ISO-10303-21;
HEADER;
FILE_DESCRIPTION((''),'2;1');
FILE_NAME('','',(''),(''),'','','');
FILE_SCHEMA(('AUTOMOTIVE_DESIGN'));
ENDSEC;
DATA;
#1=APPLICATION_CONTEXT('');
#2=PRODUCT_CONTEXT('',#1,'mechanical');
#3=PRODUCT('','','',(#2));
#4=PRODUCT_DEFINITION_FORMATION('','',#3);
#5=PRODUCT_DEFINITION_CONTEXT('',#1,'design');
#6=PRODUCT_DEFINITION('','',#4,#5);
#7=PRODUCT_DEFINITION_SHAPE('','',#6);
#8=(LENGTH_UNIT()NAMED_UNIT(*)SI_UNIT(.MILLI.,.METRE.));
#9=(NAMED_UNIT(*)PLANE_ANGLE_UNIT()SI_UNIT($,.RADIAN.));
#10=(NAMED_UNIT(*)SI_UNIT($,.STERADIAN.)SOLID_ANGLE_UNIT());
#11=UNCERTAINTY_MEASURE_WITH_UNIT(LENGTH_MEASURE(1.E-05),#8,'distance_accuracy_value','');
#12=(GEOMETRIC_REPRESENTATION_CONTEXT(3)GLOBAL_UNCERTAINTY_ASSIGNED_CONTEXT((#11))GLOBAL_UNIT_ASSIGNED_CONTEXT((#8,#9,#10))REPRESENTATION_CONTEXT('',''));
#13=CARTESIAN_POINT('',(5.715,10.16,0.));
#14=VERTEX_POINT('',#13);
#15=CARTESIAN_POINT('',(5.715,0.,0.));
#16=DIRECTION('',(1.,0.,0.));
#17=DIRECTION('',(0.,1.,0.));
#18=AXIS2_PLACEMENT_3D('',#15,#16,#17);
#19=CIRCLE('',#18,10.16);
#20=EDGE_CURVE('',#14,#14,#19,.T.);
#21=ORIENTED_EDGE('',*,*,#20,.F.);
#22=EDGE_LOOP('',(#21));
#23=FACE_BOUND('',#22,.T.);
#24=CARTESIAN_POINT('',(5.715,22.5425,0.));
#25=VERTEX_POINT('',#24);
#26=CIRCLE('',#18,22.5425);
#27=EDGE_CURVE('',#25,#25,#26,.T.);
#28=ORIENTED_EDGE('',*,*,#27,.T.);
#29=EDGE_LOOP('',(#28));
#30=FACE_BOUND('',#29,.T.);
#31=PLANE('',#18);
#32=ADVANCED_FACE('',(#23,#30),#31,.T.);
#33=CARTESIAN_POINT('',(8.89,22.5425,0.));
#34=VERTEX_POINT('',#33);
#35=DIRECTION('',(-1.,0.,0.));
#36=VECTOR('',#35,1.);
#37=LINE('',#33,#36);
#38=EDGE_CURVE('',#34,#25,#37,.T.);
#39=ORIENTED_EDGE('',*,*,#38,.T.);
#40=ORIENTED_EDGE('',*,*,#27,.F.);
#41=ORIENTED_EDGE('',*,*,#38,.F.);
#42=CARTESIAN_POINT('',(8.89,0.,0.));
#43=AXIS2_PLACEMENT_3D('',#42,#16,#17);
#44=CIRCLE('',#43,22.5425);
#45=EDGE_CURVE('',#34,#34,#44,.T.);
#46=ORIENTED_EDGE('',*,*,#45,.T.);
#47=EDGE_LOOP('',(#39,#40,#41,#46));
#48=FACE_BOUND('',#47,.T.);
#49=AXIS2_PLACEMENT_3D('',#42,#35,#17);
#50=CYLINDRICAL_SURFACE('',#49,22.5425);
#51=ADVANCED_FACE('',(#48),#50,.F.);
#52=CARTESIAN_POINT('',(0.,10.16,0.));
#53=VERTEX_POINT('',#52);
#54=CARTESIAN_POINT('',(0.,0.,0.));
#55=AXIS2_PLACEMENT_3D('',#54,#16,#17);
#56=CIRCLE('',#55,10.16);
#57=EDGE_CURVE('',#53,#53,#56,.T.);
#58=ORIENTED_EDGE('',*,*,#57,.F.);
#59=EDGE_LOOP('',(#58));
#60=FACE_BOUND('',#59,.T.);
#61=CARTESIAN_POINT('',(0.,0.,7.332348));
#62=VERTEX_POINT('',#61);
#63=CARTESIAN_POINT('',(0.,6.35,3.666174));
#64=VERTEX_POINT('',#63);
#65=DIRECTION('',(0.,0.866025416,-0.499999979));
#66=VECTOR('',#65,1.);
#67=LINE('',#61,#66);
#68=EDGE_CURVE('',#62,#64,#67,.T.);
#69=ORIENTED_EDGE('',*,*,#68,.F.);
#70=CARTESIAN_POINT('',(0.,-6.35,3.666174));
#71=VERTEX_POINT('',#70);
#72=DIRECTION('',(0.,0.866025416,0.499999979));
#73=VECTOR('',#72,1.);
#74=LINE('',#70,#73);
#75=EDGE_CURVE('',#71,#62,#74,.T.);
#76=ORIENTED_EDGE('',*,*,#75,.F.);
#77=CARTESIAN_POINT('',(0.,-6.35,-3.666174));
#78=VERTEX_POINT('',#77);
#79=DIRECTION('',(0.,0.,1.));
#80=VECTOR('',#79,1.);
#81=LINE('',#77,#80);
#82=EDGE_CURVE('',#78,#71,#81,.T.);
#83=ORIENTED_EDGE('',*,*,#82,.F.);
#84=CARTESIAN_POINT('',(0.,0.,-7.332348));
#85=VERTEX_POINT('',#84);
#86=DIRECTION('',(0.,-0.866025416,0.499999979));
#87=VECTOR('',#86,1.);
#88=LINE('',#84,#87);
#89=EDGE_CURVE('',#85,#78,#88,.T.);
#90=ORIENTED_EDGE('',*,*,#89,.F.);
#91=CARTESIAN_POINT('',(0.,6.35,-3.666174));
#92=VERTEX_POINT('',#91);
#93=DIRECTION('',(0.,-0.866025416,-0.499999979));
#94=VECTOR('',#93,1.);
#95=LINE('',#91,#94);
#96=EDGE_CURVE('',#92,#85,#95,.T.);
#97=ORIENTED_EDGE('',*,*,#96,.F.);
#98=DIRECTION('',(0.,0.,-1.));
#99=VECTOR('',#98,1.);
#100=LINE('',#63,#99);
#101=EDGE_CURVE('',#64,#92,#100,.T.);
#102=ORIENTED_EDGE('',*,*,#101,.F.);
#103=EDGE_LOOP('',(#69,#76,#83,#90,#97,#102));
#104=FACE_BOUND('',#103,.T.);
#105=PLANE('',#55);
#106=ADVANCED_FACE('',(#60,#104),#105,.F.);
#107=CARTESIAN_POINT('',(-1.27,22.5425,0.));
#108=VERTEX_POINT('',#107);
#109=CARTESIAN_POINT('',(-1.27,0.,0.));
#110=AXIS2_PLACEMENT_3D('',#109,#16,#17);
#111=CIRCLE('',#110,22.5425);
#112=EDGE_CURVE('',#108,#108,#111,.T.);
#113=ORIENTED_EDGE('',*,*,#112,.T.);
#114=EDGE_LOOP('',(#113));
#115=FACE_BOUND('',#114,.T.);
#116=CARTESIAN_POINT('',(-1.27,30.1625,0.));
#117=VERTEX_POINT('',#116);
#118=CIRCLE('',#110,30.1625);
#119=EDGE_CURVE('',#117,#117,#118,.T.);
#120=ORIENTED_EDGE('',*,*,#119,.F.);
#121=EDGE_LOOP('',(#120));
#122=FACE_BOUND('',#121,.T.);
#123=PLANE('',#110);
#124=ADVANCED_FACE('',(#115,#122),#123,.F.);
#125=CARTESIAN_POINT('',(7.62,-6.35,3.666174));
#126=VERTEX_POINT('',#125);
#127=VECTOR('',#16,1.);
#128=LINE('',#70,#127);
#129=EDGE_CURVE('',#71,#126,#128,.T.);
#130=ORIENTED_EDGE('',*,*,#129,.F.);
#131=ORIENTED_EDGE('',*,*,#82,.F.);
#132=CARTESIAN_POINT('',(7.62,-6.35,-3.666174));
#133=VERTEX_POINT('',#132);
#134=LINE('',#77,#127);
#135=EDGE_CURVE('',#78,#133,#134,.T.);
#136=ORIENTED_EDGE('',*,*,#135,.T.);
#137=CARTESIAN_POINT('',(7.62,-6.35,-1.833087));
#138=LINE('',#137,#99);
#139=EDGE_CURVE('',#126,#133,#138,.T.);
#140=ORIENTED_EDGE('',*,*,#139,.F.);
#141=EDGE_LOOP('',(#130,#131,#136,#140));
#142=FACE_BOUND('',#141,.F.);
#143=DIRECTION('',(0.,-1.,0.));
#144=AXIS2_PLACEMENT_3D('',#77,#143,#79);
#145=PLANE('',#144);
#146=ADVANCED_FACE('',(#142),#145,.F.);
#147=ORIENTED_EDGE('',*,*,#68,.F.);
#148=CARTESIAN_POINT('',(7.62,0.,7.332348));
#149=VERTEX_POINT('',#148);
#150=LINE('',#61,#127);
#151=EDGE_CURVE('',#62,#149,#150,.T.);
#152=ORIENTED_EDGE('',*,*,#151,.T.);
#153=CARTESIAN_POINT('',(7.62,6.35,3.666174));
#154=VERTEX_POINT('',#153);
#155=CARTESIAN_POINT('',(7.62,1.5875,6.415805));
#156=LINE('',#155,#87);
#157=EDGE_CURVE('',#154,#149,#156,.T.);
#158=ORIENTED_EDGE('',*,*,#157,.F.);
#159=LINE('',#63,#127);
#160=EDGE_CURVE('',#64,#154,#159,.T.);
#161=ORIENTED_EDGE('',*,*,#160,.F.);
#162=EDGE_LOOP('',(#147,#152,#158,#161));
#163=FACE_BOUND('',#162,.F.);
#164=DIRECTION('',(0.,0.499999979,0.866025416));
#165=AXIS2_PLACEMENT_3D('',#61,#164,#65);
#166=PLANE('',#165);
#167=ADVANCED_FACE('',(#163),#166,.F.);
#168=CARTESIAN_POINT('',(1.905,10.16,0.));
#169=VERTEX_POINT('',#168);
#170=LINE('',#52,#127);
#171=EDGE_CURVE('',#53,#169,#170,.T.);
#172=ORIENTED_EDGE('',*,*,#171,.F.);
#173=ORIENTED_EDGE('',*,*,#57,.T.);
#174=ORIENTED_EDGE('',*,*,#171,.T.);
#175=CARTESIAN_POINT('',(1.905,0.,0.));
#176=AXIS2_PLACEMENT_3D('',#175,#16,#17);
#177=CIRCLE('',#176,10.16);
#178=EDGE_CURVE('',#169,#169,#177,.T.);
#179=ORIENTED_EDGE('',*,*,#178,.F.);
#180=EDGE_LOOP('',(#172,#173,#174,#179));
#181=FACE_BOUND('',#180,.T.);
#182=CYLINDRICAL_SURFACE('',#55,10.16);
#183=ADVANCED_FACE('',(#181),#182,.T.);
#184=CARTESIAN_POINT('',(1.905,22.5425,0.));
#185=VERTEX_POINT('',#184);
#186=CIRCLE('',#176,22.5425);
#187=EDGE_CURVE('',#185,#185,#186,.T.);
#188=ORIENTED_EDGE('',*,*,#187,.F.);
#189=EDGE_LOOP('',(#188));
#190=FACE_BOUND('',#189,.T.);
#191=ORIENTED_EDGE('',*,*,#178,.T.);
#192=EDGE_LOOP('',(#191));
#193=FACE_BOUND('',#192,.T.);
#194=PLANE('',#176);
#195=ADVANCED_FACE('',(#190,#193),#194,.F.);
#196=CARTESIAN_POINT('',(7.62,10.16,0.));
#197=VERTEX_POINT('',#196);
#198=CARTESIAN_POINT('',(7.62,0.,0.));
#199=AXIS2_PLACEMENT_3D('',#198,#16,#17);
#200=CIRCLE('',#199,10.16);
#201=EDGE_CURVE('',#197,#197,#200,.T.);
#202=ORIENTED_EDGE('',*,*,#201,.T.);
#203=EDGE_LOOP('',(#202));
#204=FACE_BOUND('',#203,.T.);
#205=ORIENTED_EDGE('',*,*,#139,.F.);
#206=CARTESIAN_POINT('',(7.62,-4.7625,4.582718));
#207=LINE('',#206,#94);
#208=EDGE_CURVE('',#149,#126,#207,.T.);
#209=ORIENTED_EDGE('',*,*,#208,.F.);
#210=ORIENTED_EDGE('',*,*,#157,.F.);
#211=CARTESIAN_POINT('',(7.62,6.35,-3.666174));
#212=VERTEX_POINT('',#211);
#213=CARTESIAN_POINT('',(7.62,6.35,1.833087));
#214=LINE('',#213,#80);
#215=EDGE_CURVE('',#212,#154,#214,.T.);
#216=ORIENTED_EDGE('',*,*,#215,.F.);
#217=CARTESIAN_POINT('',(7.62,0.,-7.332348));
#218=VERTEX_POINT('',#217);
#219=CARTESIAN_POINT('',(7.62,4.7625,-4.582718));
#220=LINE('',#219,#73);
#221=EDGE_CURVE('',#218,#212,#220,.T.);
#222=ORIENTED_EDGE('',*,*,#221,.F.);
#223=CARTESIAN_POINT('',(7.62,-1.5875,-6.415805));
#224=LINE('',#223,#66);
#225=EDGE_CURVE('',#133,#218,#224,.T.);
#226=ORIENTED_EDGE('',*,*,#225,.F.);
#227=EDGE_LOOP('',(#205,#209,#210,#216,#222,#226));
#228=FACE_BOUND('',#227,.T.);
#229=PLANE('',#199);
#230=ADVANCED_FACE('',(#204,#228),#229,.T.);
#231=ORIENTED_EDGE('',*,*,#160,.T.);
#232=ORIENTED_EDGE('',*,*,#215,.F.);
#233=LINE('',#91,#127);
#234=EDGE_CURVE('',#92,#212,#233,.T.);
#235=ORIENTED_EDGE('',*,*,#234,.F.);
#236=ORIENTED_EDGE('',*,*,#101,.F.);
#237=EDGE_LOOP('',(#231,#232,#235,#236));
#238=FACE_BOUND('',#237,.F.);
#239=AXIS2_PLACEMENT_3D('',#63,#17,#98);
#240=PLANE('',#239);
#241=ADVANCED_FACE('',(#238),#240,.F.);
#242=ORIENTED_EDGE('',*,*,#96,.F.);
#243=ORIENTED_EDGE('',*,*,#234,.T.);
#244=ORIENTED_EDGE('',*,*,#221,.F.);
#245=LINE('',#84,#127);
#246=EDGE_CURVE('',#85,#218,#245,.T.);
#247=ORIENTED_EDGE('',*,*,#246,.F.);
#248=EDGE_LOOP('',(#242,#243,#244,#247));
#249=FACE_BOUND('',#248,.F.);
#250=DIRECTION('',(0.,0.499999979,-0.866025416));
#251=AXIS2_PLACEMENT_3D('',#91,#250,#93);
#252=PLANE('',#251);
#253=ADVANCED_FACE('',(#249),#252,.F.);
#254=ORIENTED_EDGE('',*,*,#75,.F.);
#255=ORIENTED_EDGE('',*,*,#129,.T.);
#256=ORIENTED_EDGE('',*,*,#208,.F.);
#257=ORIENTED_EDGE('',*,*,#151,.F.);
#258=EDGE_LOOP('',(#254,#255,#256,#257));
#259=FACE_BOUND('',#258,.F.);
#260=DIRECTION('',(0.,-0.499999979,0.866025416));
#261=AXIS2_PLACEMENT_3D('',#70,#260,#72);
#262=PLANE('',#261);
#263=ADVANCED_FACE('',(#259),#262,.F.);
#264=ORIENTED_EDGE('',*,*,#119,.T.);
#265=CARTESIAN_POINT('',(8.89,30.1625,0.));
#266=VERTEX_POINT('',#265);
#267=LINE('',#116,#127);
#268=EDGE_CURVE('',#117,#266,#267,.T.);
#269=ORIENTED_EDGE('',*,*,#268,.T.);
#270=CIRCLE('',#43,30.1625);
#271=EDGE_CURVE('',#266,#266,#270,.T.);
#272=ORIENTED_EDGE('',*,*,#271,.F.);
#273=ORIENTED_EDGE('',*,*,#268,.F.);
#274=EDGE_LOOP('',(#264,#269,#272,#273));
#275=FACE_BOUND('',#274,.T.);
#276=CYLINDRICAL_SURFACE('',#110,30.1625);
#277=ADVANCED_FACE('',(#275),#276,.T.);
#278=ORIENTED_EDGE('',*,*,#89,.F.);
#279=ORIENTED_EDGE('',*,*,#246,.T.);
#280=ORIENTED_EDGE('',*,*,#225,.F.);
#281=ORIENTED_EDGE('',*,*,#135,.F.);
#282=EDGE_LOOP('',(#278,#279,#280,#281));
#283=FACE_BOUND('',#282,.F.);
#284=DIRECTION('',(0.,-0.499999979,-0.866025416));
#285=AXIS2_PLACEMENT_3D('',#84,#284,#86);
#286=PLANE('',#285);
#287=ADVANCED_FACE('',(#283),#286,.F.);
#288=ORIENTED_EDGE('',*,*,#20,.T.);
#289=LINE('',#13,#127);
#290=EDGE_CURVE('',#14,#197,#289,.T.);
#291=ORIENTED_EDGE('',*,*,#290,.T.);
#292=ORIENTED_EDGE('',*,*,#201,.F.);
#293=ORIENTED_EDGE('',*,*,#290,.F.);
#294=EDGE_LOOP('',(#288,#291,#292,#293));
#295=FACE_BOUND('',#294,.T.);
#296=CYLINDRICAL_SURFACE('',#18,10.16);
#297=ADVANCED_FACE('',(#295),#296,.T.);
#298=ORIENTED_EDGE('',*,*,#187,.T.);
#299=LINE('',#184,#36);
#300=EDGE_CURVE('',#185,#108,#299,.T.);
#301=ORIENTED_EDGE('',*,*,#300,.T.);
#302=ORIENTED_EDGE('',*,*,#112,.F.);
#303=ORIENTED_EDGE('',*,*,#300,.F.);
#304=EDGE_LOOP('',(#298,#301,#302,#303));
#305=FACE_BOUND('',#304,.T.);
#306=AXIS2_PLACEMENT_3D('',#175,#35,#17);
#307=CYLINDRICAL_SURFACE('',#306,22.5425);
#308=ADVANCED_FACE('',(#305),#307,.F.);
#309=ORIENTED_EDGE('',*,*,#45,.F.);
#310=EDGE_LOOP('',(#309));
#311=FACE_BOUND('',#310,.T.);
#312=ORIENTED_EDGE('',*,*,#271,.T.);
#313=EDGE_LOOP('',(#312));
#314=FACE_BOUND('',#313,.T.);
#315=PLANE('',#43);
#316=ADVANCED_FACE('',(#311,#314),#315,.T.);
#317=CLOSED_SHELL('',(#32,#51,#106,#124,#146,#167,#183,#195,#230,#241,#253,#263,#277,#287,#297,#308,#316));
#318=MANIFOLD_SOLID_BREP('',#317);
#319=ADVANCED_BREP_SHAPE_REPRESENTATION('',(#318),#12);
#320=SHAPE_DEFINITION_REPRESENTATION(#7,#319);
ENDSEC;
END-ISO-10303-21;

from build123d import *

# Parameters (mm, degrees)
POCKET_DEPTH = 8.891


with BuildPart() as part:
    # Sketch → Revolution (revolve)
    with BuildSketch(Plane.XY):
        Polygon((0, 0), (0, 10.16), (1.905, 10.16), (1.905, 22.5425), (-1.27, 22.5425), (-1.27, 30.1625), (8.89, 30.1625), (8.89, 22.5425), (5.715, 22.5425), (5.715, 10.16), (7.62, 10.16), (7.62, 0), align=None)
    revolve(axis=Axis((0, 0, 0), (1, 0, 0)))

    # Sketch001 (on Face1 of Revolution) → Pocket (cut, through all)
    with BuildSketch(Plane(origin=(0, 0, 0), x_dir=(0, -1, 0), z_dir=(-1, 0, 0))):
        Polygon((0, 7.332348), (-6.35, 3.666174), (-6.35, -3.666174), (0, -7.332348), (6.35, -3.666174), (6.35, 3.666174), align=None)
    extrude(amount=-POCKET_DEPTH, mode=Mode.SUBTRACT)


solid = part.part
